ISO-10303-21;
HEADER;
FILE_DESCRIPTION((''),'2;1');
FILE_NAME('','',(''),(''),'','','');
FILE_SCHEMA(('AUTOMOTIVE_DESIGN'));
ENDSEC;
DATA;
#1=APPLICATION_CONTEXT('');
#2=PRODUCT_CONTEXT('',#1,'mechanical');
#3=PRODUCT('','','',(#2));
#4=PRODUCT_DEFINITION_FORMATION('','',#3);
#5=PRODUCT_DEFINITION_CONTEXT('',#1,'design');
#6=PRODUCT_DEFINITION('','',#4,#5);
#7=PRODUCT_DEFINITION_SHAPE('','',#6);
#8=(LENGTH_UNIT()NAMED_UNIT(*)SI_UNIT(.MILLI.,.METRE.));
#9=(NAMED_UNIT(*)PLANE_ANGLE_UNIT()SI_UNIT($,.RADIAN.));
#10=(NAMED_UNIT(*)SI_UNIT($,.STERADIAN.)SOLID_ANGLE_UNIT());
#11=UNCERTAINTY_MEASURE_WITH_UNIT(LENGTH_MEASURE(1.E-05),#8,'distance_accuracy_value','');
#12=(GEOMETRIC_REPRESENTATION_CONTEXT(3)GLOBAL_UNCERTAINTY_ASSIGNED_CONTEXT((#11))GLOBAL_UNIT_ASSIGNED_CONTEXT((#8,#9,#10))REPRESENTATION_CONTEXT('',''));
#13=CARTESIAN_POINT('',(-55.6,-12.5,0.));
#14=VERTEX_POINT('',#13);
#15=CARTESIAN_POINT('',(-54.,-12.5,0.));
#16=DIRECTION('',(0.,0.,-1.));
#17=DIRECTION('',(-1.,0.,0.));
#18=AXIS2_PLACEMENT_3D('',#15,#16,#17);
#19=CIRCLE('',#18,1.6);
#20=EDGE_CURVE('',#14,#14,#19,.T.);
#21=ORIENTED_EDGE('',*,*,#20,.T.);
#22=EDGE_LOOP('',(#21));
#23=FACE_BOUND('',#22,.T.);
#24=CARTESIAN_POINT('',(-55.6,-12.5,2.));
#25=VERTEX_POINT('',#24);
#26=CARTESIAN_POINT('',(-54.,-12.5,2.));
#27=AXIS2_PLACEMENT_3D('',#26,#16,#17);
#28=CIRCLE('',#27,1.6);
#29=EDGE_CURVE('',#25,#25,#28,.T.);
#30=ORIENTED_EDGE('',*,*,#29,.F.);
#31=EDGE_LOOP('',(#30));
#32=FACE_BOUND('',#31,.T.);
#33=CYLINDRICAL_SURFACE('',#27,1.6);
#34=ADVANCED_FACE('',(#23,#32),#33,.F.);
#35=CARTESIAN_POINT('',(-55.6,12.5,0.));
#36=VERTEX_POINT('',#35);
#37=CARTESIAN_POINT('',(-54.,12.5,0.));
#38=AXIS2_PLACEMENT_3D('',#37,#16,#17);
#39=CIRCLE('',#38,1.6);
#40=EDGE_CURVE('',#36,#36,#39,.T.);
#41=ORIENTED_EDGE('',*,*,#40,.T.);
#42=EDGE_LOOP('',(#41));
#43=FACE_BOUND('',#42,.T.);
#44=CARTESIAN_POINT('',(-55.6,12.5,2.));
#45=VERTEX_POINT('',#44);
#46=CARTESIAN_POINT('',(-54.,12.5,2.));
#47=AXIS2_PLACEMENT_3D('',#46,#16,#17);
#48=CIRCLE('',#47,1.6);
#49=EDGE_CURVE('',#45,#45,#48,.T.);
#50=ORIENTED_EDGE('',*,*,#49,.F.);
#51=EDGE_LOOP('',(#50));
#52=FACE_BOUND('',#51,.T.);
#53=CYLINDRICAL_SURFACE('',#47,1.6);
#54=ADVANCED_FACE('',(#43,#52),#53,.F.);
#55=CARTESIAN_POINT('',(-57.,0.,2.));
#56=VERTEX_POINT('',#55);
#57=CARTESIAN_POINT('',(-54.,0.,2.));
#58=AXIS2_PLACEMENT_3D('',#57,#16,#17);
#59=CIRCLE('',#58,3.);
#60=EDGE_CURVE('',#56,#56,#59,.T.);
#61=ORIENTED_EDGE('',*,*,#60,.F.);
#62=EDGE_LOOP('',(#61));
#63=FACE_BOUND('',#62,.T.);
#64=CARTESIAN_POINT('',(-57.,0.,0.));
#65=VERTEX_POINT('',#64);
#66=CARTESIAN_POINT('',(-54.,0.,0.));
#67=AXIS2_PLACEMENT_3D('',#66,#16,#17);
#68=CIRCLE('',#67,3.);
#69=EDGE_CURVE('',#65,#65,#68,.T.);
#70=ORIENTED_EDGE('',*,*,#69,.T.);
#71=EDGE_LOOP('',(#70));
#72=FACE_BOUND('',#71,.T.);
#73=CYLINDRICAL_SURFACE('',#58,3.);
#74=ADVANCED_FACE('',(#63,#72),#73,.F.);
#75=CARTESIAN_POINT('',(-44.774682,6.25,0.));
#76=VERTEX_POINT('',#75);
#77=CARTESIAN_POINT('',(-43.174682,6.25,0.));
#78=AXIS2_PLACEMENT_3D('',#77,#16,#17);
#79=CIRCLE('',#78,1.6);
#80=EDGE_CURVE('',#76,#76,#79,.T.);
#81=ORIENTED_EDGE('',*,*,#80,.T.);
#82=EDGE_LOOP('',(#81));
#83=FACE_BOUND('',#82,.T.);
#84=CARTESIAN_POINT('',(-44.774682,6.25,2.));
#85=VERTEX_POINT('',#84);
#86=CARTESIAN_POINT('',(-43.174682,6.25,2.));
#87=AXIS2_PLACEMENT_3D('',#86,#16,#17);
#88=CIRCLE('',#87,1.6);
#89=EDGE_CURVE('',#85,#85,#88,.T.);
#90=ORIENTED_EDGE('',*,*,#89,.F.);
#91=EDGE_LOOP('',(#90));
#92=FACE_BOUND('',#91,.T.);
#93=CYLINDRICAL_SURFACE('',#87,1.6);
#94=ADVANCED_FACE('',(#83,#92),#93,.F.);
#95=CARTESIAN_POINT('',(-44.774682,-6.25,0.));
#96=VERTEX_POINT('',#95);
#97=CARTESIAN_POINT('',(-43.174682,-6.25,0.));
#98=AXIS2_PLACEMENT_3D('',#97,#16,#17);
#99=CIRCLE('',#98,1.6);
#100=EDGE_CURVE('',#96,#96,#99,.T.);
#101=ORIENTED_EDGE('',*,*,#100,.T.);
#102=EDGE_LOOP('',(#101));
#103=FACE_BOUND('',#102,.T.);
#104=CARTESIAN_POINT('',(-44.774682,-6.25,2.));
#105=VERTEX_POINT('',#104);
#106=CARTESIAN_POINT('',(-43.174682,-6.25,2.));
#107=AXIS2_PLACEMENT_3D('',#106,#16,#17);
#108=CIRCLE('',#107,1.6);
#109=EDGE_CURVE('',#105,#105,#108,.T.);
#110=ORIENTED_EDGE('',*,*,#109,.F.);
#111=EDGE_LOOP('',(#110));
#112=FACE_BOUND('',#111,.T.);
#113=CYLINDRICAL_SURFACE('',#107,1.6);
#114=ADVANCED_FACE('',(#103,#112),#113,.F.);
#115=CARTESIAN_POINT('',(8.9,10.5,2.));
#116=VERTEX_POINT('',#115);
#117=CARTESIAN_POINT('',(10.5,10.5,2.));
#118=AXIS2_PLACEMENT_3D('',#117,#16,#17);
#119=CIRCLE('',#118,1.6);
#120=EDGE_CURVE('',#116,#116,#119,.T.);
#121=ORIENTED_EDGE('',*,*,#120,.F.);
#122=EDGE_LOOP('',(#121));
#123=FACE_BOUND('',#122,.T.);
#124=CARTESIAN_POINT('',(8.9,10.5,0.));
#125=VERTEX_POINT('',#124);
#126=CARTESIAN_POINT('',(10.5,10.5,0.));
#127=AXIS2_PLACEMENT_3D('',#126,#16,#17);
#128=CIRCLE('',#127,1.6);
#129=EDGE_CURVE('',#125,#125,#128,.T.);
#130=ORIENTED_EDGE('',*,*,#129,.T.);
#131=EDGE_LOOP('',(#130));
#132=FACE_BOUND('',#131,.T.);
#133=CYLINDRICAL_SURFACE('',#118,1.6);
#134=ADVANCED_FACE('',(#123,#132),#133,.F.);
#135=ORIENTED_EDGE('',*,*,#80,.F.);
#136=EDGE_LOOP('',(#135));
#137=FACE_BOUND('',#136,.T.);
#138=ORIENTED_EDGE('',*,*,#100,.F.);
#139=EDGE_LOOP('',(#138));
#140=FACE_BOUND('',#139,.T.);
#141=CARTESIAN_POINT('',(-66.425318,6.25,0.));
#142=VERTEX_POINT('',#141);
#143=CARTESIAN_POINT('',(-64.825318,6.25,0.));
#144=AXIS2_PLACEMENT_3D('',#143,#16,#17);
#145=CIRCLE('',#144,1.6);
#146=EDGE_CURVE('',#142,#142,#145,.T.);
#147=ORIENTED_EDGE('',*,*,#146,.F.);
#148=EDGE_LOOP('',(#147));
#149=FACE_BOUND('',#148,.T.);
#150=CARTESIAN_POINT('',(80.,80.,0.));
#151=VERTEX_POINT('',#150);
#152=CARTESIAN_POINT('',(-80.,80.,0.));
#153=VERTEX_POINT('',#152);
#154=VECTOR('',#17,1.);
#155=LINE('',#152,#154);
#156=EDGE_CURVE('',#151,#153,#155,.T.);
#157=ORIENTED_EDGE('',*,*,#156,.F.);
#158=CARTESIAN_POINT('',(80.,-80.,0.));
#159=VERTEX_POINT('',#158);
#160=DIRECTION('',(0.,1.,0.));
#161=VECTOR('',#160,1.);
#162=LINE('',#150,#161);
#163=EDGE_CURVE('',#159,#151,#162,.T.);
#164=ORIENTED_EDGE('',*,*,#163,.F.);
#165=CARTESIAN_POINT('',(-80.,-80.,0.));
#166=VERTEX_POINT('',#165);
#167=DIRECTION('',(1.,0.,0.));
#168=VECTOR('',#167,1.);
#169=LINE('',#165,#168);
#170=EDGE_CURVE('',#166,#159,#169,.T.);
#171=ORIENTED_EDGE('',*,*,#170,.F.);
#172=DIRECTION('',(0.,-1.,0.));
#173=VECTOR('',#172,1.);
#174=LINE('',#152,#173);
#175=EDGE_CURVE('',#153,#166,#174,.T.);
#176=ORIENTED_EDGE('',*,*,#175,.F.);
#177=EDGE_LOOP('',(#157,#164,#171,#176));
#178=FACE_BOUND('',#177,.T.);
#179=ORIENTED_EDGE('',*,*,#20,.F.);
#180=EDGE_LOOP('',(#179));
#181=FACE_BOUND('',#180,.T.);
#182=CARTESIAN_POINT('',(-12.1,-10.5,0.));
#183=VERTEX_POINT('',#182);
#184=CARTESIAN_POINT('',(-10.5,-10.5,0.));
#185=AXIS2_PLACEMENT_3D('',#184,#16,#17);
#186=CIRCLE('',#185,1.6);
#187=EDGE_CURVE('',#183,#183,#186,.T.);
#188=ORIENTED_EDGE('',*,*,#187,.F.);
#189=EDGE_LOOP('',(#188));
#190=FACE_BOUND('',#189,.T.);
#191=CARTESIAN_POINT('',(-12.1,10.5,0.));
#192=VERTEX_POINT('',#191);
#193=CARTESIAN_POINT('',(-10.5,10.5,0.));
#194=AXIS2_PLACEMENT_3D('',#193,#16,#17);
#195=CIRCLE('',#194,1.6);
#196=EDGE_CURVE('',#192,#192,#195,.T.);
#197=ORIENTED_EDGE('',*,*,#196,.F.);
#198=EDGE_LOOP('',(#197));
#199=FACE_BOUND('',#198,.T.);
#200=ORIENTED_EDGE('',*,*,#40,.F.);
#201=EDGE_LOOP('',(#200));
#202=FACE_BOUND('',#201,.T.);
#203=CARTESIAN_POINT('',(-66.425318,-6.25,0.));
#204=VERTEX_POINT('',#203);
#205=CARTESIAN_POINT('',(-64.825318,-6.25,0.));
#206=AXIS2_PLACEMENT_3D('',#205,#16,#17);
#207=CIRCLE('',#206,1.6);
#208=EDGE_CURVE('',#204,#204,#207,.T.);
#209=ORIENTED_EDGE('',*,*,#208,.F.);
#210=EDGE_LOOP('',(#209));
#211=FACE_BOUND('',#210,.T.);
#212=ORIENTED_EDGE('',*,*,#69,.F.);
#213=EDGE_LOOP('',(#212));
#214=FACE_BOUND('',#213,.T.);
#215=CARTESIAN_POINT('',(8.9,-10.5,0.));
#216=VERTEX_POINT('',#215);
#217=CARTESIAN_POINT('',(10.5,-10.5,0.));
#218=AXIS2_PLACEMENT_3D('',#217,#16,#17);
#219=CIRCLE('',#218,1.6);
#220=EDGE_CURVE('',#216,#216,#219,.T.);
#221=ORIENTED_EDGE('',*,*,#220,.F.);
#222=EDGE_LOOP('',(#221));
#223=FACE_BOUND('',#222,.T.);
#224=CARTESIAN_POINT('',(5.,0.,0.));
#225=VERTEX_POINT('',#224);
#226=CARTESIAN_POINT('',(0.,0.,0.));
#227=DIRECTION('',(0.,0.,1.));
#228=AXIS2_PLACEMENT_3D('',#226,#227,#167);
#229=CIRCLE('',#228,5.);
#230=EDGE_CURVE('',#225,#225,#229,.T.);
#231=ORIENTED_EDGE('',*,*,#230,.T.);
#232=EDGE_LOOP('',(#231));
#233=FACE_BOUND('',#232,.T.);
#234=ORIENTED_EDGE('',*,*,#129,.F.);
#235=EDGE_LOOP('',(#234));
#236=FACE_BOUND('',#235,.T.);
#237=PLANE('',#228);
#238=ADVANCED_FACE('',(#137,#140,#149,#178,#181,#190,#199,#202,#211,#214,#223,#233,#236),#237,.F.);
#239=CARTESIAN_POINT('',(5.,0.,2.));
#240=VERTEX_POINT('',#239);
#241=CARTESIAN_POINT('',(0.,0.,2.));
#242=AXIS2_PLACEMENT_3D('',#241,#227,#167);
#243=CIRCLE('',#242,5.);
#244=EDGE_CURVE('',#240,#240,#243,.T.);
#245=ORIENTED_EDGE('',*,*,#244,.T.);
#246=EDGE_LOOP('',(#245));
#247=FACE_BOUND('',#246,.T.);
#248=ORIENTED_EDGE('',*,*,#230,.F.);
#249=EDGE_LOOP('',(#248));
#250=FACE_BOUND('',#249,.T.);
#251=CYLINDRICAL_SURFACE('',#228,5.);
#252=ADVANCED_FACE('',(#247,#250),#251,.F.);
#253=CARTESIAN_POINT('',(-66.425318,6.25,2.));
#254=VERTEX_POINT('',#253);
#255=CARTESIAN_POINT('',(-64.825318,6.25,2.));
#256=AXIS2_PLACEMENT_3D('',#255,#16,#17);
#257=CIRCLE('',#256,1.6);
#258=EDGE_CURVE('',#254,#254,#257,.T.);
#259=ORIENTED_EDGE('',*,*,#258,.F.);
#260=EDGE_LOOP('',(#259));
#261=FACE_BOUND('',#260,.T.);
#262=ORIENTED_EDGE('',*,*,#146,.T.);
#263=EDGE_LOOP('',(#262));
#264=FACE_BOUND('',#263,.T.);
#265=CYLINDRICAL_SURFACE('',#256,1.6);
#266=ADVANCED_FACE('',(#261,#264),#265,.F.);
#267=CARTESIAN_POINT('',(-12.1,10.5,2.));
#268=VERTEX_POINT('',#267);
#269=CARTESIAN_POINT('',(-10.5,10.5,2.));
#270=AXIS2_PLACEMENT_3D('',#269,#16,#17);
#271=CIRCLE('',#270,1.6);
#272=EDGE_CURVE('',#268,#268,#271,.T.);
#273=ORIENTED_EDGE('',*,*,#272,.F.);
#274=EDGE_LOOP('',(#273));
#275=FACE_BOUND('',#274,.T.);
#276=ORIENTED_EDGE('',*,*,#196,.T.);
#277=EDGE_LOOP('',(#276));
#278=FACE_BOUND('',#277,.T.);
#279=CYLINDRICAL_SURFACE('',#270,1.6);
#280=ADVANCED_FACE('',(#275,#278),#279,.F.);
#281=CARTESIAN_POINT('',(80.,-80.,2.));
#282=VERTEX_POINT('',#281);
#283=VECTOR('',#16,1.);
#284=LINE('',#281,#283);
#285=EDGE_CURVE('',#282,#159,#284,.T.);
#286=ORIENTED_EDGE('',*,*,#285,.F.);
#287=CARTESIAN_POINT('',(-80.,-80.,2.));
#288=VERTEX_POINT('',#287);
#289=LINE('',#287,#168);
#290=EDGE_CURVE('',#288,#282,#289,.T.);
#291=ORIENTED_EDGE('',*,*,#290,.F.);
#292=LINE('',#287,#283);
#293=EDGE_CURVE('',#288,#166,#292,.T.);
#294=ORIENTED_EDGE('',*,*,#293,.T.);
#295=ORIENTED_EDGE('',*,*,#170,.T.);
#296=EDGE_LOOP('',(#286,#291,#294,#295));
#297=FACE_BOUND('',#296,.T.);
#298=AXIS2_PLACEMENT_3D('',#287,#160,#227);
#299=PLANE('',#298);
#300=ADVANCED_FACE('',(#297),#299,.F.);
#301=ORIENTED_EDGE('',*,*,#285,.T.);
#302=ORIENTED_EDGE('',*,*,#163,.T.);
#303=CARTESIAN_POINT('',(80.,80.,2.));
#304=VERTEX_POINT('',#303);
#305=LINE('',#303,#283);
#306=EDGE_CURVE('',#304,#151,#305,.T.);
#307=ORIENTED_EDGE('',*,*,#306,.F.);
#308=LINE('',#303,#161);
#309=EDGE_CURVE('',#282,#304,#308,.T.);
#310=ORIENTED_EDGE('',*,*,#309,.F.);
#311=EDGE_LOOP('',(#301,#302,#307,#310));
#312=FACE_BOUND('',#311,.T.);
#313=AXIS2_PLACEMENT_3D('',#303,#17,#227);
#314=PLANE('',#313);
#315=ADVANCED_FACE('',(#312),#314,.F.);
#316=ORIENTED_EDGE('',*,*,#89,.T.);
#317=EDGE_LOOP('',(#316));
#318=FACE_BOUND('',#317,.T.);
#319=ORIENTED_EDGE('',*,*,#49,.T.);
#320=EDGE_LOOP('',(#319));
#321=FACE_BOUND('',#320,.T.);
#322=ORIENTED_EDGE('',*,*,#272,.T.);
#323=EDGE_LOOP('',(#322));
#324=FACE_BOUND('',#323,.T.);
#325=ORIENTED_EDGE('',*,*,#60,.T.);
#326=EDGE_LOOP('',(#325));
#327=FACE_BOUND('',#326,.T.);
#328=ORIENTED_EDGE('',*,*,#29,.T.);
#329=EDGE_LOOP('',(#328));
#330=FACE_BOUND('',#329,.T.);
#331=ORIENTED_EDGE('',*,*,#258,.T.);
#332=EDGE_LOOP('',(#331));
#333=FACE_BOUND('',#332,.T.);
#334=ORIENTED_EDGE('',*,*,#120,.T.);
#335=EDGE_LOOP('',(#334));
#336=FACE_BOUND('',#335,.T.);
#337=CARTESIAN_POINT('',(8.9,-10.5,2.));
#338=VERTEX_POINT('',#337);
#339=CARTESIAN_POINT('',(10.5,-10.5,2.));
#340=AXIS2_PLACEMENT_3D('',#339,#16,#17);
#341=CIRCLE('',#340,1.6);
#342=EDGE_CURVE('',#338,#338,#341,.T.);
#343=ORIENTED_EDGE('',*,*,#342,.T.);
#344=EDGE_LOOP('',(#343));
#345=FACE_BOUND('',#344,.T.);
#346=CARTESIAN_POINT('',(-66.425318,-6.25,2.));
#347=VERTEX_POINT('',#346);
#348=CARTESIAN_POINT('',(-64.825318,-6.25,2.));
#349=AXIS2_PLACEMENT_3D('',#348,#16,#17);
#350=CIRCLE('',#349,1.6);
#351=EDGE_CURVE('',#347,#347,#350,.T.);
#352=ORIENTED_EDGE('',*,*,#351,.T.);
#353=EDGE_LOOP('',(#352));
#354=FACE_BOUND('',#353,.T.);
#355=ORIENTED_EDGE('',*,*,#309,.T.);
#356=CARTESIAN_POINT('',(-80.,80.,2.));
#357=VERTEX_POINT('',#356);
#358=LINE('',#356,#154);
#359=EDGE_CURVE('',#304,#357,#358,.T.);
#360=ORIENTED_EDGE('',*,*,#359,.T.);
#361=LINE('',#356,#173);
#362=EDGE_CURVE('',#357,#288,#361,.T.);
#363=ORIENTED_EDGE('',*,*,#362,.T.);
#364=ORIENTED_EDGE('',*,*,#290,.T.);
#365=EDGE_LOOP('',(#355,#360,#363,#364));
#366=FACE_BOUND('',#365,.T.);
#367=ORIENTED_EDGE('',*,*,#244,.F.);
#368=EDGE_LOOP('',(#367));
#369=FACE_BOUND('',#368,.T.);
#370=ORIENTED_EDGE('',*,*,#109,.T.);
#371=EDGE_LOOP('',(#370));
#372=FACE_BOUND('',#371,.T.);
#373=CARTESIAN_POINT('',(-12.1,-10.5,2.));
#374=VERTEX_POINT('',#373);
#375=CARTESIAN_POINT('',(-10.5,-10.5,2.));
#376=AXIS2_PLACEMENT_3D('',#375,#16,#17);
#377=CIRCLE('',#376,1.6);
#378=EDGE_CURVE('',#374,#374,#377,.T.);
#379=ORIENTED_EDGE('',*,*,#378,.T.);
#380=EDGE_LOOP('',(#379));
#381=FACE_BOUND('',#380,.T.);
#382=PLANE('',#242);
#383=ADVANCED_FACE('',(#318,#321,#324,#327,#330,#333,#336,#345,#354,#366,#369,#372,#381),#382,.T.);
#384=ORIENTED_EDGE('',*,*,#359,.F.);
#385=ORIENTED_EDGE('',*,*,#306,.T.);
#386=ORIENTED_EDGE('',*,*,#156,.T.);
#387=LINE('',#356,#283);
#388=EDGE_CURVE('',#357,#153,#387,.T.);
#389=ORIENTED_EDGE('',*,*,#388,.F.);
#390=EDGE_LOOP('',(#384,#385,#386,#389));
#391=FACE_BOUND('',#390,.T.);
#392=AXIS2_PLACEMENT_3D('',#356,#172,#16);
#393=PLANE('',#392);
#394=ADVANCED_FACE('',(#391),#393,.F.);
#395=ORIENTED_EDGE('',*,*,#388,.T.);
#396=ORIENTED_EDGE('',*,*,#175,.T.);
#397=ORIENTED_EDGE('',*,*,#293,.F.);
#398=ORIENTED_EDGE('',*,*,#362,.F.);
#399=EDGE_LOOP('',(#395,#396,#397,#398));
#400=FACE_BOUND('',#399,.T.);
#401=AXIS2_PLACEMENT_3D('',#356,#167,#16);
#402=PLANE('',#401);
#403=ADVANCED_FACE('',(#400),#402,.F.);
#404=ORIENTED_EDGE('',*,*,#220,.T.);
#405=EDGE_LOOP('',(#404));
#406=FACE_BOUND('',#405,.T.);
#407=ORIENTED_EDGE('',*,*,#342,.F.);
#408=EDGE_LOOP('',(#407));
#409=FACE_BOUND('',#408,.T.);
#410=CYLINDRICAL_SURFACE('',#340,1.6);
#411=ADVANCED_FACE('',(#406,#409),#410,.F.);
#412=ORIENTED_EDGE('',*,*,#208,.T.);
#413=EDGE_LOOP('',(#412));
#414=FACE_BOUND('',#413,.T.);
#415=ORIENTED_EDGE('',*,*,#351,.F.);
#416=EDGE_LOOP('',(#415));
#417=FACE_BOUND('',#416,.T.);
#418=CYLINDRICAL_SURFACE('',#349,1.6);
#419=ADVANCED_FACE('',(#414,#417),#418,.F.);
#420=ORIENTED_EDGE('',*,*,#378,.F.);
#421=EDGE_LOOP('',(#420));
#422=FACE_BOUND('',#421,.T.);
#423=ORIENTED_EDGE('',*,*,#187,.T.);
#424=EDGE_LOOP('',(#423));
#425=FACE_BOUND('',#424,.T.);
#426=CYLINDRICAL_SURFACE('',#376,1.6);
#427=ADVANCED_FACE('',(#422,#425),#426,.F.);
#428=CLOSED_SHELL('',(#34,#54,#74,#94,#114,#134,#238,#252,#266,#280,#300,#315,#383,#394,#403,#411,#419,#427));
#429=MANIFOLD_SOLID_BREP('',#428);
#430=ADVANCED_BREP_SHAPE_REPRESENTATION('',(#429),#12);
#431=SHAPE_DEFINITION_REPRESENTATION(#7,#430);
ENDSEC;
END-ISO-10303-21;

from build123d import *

# Parameters (mm, degrees)
SKETCH1_W           = 160
SKETCH1_H           = 160
BOSS_EXTRUDE1_DEPTH = 2
SKETCH2_R           = 5
CUT_EXTRUDE1_DEPTH  = 2
SKETCH5_R           = 1.6
CUT_EXTRUDE3_DEPTH  = 2
SKETCH8_R           = 3
SKETCH8_R_2         = 1.6
CUT_EXTRUDE5_DEPTH  = 2


with BuildPart() as part:
    # Sketch1 → Boss-Extrude1 (new body)
    with BuildSketch(Plane.XY):
        Rectangle(SKETCH1_W, SKETCH1_H)
    extrude(amount=BOSS_EXTRUDE1_DEPTH)

    # Sketch2 → Cut-Extrude1 (cut)
    with BuildSketch(Plane.XY.offset(2)):
        Circle(SKETCH2_R)
    extrude(amount=-CUT_EXTRUDE1_DEPTH, mode=Mode.SUBTRACT)

    # Sketch5 → Cut-Extrude3 (cut)
    with BuildSketch(Plane(origin=(0, 0, 0), x_dir=(-1, 0, 0), z_dir=(0, 0, -1))):
        with Locations((10.5, 10.5)):
            Circle(SKETCH5_R)
        with Locations((10.5, -10.5)):
            Circle(SKETCH5_R)
        with Locations((-10.5, -10.5)):
            Circle(SKETCH5_R)
        with Locations((-10.5, 10.5)):
            Circle(SKETCH5_R)
    extrude(amount=-CUT_EXTRUDE3_DEPTH, mode=Mode.SUBTRACT)

    # Sketch8 → Cut-Extrude5 (cut)
    with BuildSketch(Plane(origin=(0, 0, 0), x_dir=(-1, 0, 0), z_dir=(0, 0, -1))):
        with Locations((54, 0)):
            Circle(SKETCH8_R)
        with Locations((54, 12.5)):
            Circle(SKETCH8_R_2)
        with Locations((64.825317547, 6.25)):
            Circle(SKETCH8_R_2)
        with Locations((64.825317547, -6.25)):
            Circle(SKETCH8_R_2)
        with Locations((54, -12.5)):
            Circle(SKETCH8_R_2)
        with Locations((43.174682453, -6.25)):
            Circle(SKETCH8_R_2)
        with Locations((43.174682453, 6.25)):
            Circle(SKETCH8_R_2)
    extrude(amount=-CUT_EXTRUDE5_DEPTH, mode=Mode.SUBTRACT)


solid = part.part
